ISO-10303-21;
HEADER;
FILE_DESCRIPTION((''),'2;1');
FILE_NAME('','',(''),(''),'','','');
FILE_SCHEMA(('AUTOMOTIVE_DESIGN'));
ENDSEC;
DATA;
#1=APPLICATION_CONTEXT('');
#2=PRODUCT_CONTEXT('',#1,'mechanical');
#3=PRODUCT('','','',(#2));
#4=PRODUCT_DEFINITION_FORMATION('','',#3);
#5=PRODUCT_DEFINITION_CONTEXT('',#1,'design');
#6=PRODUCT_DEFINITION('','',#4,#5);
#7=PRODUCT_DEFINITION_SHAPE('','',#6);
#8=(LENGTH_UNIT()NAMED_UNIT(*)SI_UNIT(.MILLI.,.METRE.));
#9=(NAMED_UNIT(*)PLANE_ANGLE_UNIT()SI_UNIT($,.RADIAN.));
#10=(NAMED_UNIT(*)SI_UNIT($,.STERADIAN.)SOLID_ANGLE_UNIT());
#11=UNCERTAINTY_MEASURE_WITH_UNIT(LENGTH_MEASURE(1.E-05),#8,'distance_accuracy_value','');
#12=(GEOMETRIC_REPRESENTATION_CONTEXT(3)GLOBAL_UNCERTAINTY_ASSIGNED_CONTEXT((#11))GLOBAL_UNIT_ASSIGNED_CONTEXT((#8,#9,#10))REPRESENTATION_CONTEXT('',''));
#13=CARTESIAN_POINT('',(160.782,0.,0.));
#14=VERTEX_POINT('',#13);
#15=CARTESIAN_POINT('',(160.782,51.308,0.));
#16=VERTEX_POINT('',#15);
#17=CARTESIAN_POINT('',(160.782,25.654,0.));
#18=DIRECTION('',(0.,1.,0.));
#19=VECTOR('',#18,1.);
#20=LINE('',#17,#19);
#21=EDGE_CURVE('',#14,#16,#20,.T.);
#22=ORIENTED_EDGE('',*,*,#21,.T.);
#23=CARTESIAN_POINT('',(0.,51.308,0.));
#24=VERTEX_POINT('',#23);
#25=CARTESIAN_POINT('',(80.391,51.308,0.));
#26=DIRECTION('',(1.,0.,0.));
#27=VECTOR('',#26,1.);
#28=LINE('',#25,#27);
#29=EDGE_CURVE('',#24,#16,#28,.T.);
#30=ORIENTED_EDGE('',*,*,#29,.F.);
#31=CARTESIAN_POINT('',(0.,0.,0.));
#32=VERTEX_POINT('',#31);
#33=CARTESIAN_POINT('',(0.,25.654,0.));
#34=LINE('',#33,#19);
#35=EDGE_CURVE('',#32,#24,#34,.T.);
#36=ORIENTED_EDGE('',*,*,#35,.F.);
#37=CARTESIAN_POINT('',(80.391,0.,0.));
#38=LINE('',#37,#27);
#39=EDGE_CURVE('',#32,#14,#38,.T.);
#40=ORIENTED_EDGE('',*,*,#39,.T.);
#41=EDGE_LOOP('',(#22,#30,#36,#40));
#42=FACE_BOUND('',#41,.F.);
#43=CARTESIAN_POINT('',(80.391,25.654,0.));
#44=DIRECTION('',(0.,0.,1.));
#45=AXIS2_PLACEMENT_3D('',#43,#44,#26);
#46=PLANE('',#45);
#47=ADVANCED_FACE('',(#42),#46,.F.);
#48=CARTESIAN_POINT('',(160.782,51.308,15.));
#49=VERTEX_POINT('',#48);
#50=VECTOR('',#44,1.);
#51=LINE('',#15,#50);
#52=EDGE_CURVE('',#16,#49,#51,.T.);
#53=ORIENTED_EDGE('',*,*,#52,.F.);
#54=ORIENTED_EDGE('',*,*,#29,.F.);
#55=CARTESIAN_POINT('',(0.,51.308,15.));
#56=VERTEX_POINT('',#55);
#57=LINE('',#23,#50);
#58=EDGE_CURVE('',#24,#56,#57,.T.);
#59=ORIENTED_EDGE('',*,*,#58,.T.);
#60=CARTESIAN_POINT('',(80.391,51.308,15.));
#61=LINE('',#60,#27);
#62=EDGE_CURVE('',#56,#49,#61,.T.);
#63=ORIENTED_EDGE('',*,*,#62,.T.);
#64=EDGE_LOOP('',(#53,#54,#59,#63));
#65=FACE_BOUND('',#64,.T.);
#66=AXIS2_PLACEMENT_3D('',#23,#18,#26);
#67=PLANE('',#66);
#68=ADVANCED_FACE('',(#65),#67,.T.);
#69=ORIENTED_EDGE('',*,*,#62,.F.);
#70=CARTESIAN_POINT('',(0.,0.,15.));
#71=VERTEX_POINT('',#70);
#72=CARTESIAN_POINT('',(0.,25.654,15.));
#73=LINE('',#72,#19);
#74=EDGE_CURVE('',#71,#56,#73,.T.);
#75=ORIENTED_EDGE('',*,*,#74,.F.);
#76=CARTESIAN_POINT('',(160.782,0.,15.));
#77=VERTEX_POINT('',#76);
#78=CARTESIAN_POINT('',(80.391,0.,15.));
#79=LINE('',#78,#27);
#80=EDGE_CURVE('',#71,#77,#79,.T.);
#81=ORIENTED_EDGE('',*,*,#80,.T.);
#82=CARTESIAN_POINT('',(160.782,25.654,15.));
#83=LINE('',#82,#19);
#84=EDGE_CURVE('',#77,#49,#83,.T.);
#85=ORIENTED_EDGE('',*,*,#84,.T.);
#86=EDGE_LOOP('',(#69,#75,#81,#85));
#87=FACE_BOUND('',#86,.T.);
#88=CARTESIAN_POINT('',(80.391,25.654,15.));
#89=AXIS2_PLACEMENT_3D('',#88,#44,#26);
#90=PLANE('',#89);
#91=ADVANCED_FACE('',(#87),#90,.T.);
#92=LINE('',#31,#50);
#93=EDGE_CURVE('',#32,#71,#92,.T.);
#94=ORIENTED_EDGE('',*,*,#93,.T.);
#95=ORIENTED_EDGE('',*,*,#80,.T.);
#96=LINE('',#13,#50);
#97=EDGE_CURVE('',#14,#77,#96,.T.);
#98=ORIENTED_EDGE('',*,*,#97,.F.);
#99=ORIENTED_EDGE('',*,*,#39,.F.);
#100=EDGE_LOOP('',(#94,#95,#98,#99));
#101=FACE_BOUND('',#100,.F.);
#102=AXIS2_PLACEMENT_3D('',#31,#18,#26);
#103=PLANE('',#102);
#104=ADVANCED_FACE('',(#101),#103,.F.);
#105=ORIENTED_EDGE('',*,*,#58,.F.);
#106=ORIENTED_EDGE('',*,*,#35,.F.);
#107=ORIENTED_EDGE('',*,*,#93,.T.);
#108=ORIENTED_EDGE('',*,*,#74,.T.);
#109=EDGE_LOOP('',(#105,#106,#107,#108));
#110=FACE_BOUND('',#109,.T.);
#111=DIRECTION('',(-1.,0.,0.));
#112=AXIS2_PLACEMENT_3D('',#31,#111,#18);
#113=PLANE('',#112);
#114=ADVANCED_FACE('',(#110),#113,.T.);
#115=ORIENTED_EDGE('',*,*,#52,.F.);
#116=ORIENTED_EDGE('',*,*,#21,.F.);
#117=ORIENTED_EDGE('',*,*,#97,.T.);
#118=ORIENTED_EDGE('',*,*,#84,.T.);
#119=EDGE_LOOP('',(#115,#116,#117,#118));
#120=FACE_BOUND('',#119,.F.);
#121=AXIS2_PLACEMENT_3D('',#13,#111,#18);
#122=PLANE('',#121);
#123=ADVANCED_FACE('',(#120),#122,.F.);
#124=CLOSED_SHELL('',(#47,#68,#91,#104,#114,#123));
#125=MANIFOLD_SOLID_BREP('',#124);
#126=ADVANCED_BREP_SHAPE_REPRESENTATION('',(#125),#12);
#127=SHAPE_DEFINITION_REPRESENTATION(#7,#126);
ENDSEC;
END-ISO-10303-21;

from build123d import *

# Parameters (mm, degrees)
SKETCH_W  = 160.782
SKETCH_H  = 51.308
PAD_DEPTH = 15


with BuildPart() as part:
    # Sketch → Pad (new body)
    with BuildSketch(Plane.XY):
        with Locations((80.391, 25.654)):
            Rectangle(SKETCH_W, SKETCH_H)
    extrude(amount=PAD_DEPTH)


solid = part.part
